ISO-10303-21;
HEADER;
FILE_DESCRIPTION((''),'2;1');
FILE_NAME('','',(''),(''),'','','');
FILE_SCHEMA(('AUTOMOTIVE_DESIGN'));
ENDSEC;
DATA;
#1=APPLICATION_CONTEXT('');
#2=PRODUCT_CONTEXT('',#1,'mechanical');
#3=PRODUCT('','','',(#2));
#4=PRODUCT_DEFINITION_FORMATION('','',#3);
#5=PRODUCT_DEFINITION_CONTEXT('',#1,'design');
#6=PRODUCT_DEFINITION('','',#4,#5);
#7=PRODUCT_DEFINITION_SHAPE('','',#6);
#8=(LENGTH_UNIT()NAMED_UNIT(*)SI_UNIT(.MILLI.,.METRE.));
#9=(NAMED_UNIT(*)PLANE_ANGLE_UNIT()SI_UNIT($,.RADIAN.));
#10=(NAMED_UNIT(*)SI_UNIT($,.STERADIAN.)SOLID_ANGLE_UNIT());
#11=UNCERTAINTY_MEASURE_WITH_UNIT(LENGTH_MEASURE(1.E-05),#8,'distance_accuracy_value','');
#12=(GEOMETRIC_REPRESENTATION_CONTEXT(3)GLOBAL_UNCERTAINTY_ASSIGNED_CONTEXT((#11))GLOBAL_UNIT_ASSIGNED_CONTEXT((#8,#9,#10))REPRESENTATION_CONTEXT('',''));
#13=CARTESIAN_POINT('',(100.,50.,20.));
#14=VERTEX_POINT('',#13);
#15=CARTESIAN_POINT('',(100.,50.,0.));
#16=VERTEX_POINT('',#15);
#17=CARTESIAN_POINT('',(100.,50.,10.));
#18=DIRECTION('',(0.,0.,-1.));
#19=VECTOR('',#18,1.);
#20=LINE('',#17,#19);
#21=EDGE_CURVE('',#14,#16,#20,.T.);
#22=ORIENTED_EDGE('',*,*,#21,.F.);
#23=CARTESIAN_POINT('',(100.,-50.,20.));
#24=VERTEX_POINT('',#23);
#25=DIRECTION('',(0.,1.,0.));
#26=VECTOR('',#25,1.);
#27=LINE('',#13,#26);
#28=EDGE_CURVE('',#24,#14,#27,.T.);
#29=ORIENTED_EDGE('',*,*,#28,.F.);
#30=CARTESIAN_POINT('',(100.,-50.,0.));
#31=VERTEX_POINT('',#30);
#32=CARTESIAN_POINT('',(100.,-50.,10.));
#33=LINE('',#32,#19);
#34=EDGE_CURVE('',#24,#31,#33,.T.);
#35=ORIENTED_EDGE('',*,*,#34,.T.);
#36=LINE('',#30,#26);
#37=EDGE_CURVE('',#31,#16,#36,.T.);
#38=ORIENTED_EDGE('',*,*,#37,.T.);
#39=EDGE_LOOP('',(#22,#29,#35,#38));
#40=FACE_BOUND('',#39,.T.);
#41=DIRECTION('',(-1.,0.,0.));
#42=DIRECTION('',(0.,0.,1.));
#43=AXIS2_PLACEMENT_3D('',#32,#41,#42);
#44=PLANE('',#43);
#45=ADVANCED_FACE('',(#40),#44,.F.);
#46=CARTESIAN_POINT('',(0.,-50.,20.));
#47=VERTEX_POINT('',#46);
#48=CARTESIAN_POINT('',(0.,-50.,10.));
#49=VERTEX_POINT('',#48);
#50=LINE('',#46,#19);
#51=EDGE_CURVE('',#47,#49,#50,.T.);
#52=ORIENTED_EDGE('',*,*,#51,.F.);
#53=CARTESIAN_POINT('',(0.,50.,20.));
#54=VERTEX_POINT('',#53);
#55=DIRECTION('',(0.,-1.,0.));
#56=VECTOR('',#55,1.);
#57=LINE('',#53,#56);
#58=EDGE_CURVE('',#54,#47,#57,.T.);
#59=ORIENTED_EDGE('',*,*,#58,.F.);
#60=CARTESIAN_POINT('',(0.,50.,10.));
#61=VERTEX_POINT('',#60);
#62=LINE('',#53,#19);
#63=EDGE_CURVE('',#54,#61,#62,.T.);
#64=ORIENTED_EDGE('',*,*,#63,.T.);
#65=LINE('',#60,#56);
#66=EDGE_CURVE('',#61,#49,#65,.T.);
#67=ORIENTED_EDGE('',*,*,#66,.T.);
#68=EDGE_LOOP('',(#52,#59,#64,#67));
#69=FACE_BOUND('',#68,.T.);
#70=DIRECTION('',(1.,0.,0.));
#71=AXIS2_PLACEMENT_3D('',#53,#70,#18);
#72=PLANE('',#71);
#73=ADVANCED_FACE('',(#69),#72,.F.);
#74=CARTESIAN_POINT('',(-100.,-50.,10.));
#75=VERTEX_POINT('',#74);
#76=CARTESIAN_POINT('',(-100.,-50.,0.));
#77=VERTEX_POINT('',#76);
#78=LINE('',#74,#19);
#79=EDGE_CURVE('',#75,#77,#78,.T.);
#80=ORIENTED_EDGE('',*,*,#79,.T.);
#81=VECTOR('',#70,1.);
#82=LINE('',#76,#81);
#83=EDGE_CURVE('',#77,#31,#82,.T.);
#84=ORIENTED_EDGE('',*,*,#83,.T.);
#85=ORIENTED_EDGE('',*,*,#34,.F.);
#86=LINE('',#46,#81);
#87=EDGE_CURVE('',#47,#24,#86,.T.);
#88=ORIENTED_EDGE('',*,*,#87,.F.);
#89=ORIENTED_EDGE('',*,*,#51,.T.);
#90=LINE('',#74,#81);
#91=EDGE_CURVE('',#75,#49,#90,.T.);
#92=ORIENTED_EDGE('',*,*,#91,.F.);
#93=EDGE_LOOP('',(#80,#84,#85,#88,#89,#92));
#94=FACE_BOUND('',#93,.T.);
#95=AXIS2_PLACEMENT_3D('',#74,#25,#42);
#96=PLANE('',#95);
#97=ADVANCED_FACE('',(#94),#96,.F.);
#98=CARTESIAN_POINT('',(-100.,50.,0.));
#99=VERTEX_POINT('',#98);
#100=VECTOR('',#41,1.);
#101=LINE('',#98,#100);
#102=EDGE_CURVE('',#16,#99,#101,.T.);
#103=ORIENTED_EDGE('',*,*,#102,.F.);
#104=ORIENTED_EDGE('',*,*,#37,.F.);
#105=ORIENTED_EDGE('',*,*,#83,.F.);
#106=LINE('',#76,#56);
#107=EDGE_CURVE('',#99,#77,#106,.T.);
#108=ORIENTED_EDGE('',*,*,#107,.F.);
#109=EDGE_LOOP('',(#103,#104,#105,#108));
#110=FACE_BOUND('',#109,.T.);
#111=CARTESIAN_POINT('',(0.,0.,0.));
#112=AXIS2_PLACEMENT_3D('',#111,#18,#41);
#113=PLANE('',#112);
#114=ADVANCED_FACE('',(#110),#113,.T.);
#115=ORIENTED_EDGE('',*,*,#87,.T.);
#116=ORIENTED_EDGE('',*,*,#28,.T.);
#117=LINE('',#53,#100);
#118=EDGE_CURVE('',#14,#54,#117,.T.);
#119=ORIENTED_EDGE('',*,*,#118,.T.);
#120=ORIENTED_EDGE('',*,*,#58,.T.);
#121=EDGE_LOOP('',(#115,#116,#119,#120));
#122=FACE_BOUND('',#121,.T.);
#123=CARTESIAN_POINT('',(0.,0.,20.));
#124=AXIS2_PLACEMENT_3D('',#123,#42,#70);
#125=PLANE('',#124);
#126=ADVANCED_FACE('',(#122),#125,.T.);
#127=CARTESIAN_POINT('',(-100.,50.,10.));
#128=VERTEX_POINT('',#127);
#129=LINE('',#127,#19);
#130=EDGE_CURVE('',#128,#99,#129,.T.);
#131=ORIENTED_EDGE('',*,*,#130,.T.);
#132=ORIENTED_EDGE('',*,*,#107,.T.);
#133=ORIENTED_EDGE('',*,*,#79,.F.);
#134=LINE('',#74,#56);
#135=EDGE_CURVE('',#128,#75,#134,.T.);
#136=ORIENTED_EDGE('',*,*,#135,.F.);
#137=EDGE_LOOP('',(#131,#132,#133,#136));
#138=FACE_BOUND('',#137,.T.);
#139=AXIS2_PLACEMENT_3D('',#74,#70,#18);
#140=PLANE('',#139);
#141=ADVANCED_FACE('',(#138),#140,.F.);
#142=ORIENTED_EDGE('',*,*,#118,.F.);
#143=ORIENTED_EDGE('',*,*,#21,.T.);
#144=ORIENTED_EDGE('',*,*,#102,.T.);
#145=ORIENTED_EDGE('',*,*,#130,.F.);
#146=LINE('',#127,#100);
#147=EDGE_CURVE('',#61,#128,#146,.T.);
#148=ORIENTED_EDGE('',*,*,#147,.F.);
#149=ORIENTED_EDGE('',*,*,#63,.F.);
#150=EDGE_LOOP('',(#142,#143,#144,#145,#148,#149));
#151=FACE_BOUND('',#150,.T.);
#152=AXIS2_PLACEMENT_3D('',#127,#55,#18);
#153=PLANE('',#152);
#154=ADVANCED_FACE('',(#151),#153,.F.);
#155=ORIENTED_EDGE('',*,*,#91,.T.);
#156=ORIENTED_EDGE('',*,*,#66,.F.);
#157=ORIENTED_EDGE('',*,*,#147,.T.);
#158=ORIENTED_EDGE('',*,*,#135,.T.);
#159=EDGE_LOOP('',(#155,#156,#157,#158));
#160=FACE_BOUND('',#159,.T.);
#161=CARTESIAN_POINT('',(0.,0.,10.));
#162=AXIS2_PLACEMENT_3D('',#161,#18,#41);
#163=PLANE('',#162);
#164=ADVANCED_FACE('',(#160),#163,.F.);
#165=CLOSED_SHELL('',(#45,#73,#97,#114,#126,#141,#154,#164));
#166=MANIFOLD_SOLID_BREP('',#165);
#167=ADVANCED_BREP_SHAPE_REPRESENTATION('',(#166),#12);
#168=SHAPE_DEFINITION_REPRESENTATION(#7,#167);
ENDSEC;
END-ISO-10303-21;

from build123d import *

# Parameters (mm, degrees)
SKETCH_1_W      = 200
SKETCH_1_H      = 100
EXTRUDE_1_DEPTH = 10
SKETCH_2_W      = 100
SKETCH_2_H      = 100
EXTRUDE_2_DEPTH = 10


with BuildPart() as part:
    # 草图1 → 凸台-拉伸1 (new body)
    with BuildSketch(Plane.XY):
        Rectangle(SKETCH_1_W, SKETCH_1_H)
    extrude(amount=EXTRUDE_1_DEPTH)

    # 草图2 → 凸台-拉伸2 (add)
    with BuildSketch(Plane.XY.offset(10)):
        with Locations((50, 0)):
            Rectangle(SKETCH_2_W, SKETCH_2_H)
    extrude(amount=EXTRUDE_2_DEPTH)


solid = part.part
